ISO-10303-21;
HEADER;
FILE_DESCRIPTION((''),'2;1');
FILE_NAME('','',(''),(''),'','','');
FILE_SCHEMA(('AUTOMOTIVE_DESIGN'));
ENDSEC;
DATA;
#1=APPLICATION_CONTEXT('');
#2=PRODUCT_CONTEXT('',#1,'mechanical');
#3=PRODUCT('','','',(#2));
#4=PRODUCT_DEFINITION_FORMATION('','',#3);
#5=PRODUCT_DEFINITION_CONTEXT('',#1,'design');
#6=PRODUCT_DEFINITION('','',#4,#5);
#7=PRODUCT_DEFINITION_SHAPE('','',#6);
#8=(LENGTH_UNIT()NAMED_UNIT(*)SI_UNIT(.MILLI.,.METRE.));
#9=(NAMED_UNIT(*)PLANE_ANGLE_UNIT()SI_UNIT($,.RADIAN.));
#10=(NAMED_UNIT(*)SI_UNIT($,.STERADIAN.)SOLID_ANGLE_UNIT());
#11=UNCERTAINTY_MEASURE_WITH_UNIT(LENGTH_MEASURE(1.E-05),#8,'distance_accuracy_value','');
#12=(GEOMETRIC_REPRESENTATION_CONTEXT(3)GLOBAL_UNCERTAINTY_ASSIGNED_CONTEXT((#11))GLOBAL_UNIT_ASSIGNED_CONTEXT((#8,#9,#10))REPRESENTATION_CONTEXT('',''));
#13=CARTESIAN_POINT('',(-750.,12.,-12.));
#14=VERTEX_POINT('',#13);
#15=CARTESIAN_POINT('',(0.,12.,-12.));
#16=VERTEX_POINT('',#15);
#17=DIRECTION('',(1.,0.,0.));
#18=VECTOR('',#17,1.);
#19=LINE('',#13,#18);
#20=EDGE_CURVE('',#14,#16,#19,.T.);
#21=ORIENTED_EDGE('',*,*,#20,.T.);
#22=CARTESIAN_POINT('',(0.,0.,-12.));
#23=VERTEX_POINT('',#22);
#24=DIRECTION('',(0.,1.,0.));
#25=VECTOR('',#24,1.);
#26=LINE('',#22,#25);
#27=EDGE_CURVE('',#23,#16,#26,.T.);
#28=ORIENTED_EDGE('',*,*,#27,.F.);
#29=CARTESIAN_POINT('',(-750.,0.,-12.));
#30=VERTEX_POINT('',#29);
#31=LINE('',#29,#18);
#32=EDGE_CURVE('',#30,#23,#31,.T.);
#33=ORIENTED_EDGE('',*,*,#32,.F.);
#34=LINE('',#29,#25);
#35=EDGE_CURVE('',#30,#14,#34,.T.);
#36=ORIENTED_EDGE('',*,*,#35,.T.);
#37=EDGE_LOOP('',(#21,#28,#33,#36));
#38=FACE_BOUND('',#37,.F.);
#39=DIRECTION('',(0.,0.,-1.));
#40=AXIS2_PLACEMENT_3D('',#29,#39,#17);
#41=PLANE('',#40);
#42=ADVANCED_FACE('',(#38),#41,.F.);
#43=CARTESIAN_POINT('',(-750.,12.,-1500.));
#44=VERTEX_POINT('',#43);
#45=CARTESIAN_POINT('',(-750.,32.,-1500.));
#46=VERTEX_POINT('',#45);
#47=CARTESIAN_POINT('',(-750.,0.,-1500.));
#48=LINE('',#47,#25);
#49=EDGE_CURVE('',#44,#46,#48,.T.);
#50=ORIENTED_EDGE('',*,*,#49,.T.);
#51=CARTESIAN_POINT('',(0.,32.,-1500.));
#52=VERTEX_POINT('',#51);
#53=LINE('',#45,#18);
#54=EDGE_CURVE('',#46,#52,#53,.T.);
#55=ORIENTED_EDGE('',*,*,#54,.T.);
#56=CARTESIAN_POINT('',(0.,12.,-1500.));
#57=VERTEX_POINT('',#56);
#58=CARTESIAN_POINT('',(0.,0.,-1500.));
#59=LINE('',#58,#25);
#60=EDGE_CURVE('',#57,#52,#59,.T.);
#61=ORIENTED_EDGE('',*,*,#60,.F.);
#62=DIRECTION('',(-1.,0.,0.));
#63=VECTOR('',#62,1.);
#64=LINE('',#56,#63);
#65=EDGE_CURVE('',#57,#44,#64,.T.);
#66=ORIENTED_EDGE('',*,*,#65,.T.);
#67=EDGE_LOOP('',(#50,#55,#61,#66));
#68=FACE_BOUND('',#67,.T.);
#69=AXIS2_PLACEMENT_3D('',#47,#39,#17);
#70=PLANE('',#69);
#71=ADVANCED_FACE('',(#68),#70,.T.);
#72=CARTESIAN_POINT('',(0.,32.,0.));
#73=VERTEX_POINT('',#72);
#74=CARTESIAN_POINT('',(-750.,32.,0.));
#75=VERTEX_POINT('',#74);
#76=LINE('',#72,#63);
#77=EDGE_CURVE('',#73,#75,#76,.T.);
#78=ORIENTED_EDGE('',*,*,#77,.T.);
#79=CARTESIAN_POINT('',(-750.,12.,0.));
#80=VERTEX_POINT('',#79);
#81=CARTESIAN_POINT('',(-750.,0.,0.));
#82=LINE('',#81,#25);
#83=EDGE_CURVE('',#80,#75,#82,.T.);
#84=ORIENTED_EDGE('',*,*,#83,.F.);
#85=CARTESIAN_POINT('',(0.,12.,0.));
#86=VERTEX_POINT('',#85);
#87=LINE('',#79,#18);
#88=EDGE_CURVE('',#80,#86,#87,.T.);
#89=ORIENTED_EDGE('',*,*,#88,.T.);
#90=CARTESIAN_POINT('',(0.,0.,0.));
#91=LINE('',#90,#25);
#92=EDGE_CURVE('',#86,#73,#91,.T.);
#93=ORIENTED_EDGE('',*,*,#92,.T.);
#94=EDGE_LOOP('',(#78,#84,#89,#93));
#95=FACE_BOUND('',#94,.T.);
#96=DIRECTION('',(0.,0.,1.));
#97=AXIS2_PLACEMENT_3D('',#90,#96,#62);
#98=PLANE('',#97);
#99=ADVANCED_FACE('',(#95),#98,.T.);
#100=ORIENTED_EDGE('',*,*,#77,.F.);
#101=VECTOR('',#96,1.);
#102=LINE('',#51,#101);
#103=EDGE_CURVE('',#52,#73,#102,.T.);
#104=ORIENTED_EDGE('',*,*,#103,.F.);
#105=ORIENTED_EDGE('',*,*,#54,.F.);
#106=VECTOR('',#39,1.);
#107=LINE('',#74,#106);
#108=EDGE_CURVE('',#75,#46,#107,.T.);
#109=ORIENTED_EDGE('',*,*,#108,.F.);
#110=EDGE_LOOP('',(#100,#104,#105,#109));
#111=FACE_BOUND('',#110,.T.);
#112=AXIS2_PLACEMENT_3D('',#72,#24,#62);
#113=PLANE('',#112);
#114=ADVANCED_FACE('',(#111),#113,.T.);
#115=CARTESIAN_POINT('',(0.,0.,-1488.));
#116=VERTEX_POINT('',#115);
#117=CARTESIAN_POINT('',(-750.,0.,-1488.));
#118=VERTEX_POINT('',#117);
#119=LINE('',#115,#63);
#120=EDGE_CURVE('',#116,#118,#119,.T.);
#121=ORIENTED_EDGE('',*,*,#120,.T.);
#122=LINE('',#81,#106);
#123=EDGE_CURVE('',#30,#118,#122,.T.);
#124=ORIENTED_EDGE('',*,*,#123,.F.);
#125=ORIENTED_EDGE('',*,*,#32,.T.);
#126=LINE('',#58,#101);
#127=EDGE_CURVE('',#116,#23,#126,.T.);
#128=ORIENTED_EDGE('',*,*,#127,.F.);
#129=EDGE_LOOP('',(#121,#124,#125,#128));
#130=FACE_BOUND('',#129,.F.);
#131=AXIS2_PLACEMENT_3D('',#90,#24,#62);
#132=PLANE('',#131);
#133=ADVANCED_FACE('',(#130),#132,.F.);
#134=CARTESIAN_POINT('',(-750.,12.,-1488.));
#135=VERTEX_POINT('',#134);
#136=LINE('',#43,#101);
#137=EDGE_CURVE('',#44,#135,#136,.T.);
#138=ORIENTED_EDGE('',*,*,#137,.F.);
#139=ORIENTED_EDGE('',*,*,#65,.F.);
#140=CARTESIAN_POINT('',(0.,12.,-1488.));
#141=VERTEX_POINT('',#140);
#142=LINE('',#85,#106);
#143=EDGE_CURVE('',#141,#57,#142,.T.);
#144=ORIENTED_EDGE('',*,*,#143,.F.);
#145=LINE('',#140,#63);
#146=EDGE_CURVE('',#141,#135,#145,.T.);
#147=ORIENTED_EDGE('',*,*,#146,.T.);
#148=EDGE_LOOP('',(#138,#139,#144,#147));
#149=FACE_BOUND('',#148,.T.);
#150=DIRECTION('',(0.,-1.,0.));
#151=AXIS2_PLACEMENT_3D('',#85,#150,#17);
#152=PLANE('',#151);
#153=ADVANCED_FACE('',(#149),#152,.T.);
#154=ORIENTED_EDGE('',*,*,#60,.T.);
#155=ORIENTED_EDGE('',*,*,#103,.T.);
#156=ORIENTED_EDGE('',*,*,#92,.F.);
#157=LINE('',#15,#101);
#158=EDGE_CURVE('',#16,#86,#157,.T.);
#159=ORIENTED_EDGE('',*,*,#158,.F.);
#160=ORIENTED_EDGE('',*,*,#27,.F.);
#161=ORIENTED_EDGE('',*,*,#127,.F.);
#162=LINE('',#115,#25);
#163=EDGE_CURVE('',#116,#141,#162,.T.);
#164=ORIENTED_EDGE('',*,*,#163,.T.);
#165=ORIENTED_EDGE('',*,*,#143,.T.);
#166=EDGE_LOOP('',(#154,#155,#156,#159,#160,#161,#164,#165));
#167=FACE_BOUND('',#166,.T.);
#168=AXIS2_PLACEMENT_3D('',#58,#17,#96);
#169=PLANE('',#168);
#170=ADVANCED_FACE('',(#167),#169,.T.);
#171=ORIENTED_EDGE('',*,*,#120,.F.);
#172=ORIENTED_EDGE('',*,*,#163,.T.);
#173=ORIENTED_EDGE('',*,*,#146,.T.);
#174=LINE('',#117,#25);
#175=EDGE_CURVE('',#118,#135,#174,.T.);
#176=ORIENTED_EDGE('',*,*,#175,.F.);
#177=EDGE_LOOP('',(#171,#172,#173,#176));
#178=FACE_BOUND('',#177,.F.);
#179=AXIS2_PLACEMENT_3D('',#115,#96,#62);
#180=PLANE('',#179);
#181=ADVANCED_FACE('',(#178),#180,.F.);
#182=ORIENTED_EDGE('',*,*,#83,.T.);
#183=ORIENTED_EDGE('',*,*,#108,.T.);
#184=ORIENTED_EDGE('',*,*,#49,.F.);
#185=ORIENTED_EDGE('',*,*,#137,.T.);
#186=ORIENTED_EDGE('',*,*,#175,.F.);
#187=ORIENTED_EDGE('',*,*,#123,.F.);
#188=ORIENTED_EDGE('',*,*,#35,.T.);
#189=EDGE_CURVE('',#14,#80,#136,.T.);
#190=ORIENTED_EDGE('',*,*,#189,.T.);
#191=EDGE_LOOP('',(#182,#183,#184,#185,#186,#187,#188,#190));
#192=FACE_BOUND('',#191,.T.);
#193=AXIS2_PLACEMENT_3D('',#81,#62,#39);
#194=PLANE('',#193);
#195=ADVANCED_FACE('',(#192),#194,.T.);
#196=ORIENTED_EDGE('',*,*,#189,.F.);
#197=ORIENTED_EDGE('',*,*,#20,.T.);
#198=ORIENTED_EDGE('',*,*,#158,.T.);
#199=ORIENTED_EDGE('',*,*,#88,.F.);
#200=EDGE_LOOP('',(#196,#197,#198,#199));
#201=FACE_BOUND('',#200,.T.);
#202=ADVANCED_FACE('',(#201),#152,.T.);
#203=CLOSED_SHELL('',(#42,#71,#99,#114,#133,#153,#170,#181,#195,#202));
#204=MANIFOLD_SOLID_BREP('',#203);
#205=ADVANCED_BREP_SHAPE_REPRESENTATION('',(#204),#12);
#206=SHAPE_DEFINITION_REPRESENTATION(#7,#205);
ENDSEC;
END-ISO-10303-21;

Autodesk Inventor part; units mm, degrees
ref_plane "YZ Plane" through (0, 0, 0) normal (1, 0, 0) x (0, 1, 0)
ref_plane "XZ Plane" through (0, 0, 0) normal (0, 1, 0) x (-1, 0, 0)
ref_plane "XY Plane" through (0, 0, 0) normal (0, 0, 1) x (1, 0, 0)
sketch "Sketch1" plane through (0, 0, 0) normal (0, 1, 0) x (-1, 0, 0)
  line L0 (0, 0) -> (750, 0)
  line L1 (750, 0) -> (750, -1500)
  line L2 (750, -1500) -> (0, -1500)
  line L3 (0, -1500) -> (0, 0)
  dimension "d0" = 750
  dimension "d1" = 1500
extrude "Extrusion1" add sketch "Sketch1" along normal blind 32
sketch "Sketch3" plane through (0, 0, 0) normal (0, -1, 0) x (1, 0, 0)
  line L0 (-750, 0) -> (0, 0) projected
  line L1 (-750, -1500) -> (-750, 0) projected
  line L2 (0, 0) -> (-750, 0)
  line L3 (-750, 0) -> (-750, -12)
  line L4 (-750, -12) -> (0, -12)
  line L5 (0, -12) -> (0, 0)
  line L6 (0, -1500) -> (-750, -1500) projected
  line L7 (0, 0) -> (0, -1500) projected
  line L8 (-750, -1500) -> (0, -1500)
  line L9 (0, -1500) -> (0, -1488)
  line L10 (0, -1488) -> (-750, -1488)
  line L11 (-750, -1488) -> (-750, -1500)
  dimension "d4" = 12
  dimension "d5" = 12
extrude "Extrusion2" cut sketch "Sketch3" against normal blind 12 contours L0 L5 L4 L1 | L10 L7 L6 L1
properties part number "desk" material "MDF Medium Density Fiberboard"
